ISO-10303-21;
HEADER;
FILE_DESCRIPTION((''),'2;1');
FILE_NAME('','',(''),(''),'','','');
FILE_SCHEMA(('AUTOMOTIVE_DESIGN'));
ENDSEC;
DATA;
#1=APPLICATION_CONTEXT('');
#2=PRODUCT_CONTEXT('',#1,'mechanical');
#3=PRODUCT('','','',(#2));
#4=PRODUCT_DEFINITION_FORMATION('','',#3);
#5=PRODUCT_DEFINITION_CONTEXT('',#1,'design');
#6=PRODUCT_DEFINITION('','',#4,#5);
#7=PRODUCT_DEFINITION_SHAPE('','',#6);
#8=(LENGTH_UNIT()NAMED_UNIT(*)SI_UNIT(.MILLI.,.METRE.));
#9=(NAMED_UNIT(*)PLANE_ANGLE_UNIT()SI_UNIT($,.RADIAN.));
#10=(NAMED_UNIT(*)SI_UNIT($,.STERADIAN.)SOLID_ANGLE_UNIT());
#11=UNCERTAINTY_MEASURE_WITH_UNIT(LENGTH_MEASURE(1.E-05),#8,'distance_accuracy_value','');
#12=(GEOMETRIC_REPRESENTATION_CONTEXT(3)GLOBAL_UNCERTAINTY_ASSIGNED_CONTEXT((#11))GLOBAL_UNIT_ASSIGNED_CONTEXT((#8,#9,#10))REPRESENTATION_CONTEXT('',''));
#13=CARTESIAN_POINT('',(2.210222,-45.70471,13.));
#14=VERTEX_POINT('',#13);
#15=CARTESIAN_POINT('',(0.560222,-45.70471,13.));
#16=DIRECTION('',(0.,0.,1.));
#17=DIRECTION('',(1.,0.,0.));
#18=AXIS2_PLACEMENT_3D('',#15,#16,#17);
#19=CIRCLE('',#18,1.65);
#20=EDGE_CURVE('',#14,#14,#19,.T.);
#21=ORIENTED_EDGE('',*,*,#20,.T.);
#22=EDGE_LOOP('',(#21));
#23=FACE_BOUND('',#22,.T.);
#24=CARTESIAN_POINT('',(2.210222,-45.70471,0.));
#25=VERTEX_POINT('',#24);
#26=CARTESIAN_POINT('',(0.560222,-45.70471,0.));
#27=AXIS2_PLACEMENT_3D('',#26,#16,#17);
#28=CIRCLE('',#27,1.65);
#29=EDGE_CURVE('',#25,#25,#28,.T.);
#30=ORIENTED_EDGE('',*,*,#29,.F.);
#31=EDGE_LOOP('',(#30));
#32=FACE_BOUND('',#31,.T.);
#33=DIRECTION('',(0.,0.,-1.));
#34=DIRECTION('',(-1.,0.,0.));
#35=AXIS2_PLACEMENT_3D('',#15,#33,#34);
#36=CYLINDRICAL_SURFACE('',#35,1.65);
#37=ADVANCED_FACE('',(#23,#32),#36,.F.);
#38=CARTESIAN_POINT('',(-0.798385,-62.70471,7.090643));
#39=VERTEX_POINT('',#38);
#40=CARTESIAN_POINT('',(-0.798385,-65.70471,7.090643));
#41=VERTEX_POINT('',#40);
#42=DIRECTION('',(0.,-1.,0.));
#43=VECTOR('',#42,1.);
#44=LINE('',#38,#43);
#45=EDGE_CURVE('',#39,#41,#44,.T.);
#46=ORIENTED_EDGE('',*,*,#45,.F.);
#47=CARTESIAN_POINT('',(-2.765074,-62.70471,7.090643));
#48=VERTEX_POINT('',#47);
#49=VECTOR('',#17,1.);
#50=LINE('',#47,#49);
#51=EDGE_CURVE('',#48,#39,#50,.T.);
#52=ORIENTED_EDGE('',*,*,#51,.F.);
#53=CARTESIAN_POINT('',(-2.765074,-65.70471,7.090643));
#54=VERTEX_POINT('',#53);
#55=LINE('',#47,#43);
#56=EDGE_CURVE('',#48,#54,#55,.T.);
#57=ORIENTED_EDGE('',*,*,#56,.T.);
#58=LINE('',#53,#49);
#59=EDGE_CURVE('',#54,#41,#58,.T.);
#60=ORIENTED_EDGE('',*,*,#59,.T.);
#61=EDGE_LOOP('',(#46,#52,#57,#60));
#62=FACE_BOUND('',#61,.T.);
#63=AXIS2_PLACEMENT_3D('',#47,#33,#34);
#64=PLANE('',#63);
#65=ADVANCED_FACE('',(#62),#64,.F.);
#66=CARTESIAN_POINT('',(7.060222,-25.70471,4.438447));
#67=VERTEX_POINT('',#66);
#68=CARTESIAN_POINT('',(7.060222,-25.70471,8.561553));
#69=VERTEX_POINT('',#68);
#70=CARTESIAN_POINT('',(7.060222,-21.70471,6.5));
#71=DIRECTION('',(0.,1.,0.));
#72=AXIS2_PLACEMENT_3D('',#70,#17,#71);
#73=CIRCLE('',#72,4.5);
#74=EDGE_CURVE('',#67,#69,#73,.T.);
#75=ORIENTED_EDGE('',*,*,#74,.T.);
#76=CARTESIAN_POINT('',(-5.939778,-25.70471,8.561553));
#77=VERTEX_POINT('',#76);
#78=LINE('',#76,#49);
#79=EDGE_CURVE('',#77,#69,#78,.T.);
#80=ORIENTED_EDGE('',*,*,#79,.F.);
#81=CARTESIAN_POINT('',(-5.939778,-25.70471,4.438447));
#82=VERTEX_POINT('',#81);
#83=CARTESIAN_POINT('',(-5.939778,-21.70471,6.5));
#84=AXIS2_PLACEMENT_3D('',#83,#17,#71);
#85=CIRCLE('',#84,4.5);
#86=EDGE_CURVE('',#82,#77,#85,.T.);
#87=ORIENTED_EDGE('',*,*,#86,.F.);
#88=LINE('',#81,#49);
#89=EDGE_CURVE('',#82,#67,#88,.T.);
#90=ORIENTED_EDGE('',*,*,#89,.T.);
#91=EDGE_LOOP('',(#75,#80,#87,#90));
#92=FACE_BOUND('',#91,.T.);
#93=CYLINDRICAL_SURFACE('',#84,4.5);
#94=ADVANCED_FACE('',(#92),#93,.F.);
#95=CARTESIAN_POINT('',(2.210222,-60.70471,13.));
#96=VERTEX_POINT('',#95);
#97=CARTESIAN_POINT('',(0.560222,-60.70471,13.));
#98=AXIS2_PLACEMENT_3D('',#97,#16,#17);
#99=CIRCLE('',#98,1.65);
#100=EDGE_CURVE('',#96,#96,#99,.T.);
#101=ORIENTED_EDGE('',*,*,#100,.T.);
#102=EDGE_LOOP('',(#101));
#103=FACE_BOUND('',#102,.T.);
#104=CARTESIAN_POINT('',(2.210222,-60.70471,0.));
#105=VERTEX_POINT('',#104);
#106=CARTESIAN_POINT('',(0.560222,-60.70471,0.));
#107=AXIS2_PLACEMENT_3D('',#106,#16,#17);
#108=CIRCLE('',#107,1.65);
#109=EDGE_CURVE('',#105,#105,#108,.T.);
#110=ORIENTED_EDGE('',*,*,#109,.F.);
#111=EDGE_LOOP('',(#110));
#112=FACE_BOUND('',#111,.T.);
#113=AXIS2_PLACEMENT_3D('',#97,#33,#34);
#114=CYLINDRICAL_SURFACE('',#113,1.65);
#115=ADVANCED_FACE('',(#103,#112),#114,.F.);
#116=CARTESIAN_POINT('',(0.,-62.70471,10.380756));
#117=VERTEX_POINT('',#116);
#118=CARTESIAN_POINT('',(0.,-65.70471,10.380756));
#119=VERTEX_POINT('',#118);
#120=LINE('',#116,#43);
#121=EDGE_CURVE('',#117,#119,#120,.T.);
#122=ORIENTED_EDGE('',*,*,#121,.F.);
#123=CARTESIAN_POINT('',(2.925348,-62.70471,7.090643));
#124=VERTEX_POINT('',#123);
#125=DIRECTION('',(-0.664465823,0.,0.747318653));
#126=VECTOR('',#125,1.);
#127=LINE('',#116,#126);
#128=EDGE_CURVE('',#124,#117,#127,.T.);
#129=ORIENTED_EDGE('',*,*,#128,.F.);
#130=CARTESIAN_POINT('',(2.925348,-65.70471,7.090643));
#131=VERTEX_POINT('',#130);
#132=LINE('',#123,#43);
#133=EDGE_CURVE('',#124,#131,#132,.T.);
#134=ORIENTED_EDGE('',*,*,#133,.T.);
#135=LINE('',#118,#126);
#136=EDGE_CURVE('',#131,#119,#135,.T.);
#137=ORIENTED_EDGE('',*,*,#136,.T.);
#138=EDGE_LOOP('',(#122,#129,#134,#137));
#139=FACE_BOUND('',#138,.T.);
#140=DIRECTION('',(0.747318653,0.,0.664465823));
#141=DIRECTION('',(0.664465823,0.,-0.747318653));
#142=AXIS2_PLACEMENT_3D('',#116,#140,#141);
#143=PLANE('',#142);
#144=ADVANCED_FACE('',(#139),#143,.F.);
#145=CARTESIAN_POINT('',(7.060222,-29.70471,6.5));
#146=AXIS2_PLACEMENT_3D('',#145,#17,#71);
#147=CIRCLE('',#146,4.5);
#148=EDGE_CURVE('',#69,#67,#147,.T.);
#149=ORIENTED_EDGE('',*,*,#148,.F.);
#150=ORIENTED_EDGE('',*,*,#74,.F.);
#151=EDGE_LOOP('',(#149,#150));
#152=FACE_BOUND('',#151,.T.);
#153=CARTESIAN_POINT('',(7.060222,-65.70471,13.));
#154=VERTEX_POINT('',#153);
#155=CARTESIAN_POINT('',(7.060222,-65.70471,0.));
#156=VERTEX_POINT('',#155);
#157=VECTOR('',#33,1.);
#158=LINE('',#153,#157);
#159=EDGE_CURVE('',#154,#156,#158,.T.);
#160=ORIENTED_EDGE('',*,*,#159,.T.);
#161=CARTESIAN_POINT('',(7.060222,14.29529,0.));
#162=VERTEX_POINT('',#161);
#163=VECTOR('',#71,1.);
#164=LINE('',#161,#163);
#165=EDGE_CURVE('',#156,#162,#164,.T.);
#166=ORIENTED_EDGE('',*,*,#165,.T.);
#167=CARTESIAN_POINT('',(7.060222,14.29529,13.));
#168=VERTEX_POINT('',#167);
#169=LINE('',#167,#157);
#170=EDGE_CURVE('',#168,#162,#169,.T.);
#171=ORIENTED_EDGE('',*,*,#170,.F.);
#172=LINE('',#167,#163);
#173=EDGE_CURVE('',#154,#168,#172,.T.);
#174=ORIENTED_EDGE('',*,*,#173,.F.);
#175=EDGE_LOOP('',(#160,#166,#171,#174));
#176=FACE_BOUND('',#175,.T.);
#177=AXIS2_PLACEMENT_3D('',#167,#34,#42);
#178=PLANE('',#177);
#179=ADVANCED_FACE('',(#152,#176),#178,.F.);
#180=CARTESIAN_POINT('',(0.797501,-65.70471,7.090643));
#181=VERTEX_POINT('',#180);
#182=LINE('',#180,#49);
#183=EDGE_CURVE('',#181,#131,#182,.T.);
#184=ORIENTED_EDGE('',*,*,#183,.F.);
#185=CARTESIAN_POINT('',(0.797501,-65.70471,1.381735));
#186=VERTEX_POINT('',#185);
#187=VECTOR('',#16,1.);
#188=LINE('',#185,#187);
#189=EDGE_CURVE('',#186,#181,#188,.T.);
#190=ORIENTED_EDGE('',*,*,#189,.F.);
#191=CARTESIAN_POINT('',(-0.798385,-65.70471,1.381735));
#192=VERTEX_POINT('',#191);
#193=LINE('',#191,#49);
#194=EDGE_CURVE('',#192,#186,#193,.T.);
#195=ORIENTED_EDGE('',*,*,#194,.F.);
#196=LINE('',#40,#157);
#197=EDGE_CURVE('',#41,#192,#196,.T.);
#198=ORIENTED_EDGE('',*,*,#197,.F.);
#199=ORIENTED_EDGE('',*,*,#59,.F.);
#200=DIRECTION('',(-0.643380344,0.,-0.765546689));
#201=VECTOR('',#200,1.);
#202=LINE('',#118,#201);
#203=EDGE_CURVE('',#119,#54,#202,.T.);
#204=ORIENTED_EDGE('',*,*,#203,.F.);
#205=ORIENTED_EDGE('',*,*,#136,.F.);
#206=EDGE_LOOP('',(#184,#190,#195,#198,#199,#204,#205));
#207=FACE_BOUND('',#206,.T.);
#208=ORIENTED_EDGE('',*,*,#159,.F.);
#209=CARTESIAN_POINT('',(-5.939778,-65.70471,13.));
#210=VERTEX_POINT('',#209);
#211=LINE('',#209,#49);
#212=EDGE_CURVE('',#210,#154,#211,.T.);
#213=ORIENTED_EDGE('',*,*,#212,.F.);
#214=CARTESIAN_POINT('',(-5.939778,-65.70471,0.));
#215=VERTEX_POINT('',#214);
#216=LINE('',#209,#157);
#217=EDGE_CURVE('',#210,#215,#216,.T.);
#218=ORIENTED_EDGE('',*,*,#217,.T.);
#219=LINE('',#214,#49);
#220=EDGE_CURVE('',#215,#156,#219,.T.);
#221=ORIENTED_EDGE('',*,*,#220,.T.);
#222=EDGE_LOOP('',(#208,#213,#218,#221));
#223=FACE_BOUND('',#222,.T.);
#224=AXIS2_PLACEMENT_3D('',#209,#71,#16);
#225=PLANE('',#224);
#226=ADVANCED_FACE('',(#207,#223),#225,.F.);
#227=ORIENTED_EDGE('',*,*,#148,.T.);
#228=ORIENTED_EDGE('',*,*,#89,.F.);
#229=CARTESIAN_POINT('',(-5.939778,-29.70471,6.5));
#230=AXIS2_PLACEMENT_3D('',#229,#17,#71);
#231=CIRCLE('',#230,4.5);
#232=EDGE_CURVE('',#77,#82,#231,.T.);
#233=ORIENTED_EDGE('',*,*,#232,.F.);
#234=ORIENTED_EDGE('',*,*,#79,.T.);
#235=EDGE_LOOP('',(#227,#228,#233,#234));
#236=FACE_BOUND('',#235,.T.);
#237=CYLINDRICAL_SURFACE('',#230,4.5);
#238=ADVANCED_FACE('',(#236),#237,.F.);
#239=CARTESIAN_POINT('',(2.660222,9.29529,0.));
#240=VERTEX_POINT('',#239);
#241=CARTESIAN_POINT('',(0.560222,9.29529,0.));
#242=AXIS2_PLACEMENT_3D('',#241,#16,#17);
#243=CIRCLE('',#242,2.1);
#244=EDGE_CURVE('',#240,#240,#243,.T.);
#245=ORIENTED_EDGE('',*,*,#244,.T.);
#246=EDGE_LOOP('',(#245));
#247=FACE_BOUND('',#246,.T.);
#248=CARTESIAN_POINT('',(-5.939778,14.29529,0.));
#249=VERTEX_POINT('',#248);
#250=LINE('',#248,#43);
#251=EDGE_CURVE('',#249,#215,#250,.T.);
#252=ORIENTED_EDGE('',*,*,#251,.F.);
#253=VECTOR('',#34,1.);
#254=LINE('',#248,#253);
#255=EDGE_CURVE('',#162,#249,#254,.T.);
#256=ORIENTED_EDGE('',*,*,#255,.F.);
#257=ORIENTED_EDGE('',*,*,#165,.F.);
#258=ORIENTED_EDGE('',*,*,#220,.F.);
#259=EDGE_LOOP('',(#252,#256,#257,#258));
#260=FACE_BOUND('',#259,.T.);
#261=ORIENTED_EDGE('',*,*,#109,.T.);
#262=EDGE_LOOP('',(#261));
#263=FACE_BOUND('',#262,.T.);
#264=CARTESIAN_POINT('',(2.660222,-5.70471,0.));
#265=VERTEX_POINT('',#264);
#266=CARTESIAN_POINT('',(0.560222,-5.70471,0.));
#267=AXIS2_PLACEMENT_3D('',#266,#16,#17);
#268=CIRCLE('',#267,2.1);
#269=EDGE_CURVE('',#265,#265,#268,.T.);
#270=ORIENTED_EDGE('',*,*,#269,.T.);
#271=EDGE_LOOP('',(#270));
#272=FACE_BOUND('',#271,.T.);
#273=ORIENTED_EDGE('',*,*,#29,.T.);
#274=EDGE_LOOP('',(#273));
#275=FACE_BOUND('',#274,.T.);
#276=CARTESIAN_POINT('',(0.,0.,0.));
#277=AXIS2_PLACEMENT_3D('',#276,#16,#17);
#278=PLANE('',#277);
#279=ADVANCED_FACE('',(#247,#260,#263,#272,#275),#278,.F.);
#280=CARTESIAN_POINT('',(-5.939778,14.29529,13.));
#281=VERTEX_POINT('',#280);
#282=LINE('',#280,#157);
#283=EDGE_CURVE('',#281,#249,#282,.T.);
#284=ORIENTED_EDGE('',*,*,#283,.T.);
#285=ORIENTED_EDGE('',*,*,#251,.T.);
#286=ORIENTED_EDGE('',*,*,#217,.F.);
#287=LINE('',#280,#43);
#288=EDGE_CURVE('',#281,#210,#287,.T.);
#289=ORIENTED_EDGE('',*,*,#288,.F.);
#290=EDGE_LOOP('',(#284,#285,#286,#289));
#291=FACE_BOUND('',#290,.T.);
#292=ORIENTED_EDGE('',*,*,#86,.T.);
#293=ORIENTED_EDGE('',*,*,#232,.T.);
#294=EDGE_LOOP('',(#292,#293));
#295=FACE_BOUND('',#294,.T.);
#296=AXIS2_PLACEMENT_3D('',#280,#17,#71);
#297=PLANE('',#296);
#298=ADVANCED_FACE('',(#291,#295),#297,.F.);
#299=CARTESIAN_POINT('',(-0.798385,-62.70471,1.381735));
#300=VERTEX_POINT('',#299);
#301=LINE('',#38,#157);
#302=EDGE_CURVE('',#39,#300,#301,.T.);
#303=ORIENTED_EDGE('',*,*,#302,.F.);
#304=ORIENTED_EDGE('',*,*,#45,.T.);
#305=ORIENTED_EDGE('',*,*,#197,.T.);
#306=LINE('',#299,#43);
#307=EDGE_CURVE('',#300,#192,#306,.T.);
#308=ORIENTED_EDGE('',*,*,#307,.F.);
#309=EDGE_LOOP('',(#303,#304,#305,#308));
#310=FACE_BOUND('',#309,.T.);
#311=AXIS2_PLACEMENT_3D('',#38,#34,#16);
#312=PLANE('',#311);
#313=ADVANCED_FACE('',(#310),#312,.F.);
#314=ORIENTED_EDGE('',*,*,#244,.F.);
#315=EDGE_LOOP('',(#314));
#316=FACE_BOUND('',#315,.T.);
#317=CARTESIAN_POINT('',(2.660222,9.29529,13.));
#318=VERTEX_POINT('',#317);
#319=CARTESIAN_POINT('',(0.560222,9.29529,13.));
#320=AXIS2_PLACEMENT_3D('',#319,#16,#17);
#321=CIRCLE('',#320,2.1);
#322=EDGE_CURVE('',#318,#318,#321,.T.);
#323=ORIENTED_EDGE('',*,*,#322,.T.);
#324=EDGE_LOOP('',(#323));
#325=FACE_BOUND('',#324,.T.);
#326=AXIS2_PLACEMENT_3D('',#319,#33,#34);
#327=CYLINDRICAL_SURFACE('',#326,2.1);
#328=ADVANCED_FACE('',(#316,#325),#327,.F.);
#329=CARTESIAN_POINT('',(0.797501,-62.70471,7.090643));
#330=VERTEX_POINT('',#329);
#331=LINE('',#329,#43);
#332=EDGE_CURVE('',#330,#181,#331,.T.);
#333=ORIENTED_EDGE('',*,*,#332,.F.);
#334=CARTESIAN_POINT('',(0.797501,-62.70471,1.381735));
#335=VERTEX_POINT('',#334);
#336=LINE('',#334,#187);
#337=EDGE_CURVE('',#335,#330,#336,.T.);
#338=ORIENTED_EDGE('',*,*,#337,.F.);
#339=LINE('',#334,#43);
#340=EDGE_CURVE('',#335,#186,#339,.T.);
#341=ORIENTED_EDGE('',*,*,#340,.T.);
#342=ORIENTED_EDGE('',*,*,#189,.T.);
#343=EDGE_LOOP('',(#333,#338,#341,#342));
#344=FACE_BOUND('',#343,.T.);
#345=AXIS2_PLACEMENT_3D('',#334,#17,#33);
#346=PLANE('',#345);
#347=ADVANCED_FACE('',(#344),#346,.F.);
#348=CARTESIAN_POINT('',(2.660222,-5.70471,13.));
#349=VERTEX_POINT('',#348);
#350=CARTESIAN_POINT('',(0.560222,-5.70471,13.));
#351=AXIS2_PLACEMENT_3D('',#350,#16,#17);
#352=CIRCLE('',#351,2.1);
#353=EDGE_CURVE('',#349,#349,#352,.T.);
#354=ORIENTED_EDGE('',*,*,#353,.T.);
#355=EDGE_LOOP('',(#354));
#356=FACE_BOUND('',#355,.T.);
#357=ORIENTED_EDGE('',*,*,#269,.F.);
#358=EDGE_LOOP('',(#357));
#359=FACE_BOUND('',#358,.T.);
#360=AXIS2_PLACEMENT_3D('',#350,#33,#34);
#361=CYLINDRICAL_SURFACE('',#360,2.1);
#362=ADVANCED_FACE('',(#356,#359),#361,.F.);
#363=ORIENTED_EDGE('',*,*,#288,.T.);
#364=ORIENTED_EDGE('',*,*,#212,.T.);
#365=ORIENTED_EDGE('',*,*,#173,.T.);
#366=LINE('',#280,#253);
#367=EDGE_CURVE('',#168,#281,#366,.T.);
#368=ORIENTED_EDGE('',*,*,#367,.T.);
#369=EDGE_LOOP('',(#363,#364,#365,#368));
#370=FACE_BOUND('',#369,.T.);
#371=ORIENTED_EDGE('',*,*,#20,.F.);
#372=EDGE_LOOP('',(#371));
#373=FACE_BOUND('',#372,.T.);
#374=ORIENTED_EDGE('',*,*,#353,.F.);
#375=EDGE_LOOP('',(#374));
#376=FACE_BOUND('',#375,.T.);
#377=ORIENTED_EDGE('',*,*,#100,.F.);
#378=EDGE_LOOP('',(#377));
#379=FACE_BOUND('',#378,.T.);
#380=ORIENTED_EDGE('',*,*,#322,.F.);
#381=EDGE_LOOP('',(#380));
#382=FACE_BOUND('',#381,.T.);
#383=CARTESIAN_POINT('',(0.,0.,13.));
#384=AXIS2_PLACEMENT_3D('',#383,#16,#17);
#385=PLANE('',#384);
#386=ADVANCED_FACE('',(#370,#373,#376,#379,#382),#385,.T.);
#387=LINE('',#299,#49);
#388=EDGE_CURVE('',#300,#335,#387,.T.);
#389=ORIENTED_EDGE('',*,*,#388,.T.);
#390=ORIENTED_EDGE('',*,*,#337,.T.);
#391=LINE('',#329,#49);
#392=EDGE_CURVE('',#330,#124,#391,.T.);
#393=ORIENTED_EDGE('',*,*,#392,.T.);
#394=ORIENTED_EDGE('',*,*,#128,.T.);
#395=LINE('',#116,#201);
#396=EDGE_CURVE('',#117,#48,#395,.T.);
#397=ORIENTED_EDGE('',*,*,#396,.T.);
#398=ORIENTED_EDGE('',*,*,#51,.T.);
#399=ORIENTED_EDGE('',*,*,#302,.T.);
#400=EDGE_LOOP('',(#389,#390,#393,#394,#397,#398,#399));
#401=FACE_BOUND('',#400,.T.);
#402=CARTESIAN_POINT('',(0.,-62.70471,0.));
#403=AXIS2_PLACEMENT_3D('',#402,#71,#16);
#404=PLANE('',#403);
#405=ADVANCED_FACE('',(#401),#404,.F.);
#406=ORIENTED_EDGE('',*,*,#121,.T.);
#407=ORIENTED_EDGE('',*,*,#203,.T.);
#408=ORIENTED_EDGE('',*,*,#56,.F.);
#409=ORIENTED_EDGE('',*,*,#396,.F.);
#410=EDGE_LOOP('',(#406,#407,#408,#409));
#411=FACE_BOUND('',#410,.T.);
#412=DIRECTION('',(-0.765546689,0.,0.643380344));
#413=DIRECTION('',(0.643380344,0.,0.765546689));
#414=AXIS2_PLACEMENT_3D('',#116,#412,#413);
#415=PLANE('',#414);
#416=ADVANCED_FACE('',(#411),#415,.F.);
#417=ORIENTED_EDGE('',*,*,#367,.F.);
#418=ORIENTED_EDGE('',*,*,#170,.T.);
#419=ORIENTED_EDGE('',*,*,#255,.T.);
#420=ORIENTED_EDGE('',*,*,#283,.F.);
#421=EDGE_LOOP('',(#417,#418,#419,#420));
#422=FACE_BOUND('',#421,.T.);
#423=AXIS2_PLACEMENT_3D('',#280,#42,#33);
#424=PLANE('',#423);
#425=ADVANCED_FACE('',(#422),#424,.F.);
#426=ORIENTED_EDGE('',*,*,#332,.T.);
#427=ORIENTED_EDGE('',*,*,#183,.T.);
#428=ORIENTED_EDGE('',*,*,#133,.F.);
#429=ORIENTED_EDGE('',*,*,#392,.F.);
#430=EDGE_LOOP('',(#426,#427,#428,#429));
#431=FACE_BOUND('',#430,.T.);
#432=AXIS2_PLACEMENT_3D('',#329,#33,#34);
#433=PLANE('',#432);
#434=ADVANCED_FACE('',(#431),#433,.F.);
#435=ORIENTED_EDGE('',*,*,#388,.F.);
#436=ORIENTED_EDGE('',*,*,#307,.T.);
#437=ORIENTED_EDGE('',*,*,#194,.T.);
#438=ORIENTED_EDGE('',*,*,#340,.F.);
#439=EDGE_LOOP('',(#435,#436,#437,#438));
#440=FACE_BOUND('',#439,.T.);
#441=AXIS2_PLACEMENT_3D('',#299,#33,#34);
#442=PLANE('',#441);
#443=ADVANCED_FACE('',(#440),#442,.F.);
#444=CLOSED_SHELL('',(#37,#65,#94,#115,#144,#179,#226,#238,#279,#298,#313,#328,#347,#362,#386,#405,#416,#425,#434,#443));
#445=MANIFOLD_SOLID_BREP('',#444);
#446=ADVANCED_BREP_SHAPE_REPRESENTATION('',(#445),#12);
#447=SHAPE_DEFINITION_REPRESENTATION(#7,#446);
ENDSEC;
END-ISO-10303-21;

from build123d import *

# Parameters (mm, degrees)
SKETCH_1_W          = 13
SKETCH_1_H          = 80
SKETCH_1_R          = 2.1
SKETCH_1_R_2        = 1.65
EXTRUDE_1_DEPTH     = 13
CUT_EXTRUDE_4_DEPTH = 13
CUT_EXTRUDE_5_DEPTH = 3


with BuildPart() as part:
    # 草图1 → 凸台-拉伸1 (new body)
    with BuildSketch(Plane.XY):
        with Locations((0.560222304, -25.704710145)):
            Rectangle(SKETCH_1_W, SKETCH_1_H)
        with Locations((0.560222304, 9.295289855)):
            Circle(SKETCH_1_R, mode=Mode.SUBTRACT)
        with Locations((0.560222304, -5.704710145)):
            Circle(SKETCH_1_R, mode=Mode.SUBTRACT)
        with Locations((0.560222304, -60.704710145)):
            Circle(SKETCH_1_R_2, mode=Mode.SUBTRACT)
        with Locations((0.560222304, -45.704710145)):
            Circle(SKETCH_1_R_2, mode=Mode.SUBTRACT)
    extrude(amount=EXTRUDE_1_DEPTH)

    # 草图4 → 切除-拉伸4 (cut)
    with BuildSketch(Plane(origin=(7.060222304, 0, 0), x_dir=(0, 0, -1), z_dir=(1, 0, 0))):
        with BuildLine():
            ThreePointArc((-4.438447187, -25.704710145), (-6.5, -17.204710145), (-8.561552813, -25.704710145))
            ThreePointArc((-8.561552813, -25.704710145), (-6.5, -34.204710145), (-4.438447187, -25.704710145))
        make_face()
    extrude(amount=-CUT_EXTRUDE_4_DEPTH, mode=Mode.SUBTRACT)

    # 草图5 → 切除-拉伸5 (cut)
    with BuildSketch(Plane.XZ.offset(65.704710145)):
        Polygon((0, 10.380755621), (-2.765074416, 7.090643354), (-0.798384611, 7.090643354), (-0.798384611, 1.381735054), (0.79750081, 1.381735054), (0.79750081, 7.090643354), (2.925348038, 7.090643354), align=None)
    extrude(amount=-CUT_EXTRUDE_5_DEPTH, mode=Mode.SUBTRACT)


solid = part.part
